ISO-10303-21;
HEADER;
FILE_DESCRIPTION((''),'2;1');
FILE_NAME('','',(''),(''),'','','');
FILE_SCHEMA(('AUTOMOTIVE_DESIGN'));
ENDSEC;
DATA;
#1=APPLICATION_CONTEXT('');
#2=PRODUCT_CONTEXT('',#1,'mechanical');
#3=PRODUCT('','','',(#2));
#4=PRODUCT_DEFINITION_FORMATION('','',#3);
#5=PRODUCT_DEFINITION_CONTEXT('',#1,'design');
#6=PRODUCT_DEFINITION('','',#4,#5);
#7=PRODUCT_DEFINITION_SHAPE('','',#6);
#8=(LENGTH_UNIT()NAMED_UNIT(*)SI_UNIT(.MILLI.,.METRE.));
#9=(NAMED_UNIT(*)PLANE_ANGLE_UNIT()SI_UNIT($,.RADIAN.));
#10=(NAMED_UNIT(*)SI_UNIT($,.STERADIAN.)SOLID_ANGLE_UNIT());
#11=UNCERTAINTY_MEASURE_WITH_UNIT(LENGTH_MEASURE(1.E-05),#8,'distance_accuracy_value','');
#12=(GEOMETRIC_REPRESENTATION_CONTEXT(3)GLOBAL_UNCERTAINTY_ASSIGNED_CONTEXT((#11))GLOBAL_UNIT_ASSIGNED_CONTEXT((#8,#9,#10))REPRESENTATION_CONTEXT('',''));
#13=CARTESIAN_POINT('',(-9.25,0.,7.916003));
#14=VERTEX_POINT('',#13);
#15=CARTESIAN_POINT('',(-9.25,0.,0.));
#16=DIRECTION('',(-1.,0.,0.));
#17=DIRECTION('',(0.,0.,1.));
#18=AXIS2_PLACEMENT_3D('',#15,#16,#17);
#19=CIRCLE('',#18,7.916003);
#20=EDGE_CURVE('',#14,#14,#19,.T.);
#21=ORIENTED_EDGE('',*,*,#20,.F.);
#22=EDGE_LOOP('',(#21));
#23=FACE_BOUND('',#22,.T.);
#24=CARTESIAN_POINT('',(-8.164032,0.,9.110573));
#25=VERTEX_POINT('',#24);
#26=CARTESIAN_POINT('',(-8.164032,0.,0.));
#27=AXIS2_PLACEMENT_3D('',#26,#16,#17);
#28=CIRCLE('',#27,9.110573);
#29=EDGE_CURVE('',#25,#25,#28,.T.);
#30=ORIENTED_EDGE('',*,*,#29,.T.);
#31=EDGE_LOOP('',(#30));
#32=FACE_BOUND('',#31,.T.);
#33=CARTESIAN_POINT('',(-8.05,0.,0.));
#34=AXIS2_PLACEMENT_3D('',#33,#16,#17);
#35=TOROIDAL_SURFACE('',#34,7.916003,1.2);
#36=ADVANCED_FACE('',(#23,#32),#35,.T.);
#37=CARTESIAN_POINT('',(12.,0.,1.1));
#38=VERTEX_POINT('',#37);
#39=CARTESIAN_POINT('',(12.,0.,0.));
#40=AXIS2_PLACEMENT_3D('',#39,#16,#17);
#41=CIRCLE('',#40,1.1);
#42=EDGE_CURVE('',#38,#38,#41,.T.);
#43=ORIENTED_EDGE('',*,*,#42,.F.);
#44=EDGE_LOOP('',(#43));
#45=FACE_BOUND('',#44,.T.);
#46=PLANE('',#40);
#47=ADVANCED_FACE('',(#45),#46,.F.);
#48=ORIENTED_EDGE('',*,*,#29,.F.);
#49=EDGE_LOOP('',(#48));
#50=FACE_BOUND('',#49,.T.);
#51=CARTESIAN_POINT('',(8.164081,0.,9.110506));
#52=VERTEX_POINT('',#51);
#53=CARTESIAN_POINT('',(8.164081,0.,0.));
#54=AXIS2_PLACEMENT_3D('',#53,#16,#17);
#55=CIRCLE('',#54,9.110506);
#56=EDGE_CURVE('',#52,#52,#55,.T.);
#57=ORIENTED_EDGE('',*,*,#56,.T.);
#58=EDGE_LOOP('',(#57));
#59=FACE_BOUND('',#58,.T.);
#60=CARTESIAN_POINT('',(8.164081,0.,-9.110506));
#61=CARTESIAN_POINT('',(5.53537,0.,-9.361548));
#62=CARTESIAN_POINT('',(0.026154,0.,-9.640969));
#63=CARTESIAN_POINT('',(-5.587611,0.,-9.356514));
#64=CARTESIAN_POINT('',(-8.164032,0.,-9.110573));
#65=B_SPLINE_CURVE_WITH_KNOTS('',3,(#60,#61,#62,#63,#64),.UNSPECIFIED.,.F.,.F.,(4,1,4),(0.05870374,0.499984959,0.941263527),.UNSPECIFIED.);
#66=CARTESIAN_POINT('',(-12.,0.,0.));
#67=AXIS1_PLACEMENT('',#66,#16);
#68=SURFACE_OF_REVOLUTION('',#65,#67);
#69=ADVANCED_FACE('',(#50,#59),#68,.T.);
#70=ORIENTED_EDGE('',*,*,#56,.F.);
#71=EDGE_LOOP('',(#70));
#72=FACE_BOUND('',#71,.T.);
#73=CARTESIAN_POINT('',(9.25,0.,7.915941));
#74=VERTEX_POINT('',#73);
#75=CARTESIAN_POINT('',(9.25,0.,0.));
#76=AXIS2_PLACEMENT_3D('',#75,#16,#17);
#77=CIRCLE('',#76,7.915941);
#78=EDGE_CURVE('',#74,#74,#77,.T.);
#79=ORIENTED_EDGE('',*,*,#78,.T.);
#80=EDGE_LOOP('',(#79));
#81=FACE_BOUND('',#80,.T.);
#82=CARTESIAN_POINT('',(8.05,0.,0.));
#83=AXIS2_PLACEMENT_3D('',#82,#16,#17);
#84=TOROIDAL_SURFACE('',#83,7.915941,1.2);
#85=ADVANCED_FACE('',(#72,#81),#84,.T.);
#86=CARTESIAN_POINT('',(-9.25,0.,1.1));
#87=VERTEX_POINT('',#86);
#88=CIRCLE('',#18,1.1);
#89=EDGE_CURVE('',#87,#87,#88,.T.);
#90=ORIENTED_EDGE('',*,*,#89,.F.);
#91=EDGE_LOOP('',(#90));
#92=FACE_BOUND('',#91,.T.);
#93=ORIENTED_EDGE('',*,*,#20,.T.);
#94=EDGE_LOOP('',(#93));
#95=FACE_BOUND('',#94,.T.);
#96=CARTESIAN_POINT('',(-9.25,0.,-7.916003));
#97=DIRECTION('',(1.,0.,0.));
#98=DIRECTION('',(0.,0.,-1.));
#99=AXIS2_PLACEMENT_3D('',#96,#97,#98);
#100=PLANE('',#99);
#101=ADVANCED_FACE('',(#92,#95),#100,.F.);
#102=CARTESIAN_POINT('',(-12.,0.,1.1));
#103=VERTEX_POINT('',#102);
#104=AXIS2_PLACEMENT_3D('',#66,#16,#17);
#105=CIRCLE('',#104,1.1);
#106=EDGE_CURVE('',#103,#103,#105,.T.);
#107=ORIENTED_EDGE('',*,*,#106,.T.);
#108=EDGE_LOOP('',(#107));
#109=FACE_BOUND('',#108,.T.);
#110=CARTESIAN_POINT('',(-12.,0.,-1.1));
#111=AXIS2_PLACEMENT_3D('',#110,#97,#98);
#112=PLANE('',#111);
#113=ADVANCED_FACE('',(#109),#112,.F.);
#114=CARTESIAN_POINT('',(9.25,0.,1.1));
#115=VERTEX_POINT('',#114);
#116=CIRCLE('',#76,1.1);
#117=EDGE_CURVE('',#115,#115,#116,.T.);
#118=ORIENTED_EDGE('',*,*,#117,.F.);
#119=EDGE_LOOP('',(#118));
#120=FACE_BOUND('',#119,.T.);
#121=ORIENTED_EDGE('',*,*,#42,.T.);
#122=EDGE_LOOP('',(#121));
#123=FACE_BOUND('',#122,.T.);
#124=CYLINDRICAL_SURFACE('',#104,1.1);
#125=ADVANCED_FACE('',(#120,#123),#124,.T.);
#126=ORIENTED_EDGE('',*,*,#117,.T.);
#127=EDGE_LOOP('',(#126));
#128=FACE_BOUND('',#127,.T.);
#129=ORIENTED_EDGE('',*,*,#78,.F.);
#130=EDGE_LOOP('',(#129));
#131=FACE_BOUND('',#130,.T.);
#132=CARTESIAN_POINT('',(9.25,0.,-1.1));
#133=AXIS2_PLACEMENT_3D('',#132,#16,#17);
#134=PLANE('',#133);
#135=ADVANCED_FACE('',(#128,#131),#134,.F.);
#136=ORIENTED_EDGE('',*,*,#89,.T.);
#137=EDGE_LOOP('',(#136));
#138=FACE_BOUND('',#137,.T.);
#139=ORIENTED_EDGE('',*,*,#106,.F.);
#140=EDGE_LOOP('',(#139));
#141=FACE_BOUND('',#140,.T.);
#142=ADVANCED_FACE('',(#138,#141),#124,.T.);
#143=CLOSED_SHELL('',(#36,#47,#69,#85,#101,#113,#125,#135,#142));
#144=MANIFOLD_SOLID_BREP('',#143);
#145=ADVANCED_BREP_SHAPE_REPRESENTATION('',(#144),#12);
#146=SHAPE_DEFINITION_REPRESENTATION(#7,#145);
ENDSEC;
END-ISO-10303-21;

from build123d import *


with BuildPart() as part:
    # 草图1 → 旋转1 (revolve)
    with BuildSketch(Plane(origin=(0, 0, 0), x_dir=(1, 0, 0), z_dir=(0, 1, 0)), mode=Mode.PRIVATE) as revolve_1_sk:
        with BuildLine():
            Line((-12, 0), (12, 0))
            Line((12, 0), (12, 1.1))
            Line((12, 1.1), (9.25, 1.1))
            Line((9.25, 1.1), (9.25, 7.915940664))
            ThreePointArc((9.25, 7.915940664), (8.937946411, 8.723127861), (8.164081381, 9.110505622))
            add(Edge.make_bspline(
                [(8.164081381, 9.110505622), (5.535370052, 9.361548494), (0.026154039, 9.640968889), (-5.587611319, 9.356513757), (-8.164031617, 9.110573004)],
                knots=[0.05870374, 0.05870374, 0.05870374, 0.05870374, 0.499984959, 0.941263527, 0.941263527, 0.941263527, 0.941263527], degree=3))
            ThreePointArc((-8.164031617, 9.110573004), (-8.937929598, 8.723208987), (-9.25, 7.916003295))
            Line((-9.25, 7.916003295), (-9.25, 1.1))
            Line((-9.25, 1.1), (-12, 1.1))
            Line((-12, 1.1), (-12, 0))
        make_face()
    revolve(revolve_1_sk.sketch.rotate(Axis((-12, 0, 0), (1, 0, 0)), 180), axis=Axis((-12, 0, 0), (1, 0, 0)))


solid = part.part
